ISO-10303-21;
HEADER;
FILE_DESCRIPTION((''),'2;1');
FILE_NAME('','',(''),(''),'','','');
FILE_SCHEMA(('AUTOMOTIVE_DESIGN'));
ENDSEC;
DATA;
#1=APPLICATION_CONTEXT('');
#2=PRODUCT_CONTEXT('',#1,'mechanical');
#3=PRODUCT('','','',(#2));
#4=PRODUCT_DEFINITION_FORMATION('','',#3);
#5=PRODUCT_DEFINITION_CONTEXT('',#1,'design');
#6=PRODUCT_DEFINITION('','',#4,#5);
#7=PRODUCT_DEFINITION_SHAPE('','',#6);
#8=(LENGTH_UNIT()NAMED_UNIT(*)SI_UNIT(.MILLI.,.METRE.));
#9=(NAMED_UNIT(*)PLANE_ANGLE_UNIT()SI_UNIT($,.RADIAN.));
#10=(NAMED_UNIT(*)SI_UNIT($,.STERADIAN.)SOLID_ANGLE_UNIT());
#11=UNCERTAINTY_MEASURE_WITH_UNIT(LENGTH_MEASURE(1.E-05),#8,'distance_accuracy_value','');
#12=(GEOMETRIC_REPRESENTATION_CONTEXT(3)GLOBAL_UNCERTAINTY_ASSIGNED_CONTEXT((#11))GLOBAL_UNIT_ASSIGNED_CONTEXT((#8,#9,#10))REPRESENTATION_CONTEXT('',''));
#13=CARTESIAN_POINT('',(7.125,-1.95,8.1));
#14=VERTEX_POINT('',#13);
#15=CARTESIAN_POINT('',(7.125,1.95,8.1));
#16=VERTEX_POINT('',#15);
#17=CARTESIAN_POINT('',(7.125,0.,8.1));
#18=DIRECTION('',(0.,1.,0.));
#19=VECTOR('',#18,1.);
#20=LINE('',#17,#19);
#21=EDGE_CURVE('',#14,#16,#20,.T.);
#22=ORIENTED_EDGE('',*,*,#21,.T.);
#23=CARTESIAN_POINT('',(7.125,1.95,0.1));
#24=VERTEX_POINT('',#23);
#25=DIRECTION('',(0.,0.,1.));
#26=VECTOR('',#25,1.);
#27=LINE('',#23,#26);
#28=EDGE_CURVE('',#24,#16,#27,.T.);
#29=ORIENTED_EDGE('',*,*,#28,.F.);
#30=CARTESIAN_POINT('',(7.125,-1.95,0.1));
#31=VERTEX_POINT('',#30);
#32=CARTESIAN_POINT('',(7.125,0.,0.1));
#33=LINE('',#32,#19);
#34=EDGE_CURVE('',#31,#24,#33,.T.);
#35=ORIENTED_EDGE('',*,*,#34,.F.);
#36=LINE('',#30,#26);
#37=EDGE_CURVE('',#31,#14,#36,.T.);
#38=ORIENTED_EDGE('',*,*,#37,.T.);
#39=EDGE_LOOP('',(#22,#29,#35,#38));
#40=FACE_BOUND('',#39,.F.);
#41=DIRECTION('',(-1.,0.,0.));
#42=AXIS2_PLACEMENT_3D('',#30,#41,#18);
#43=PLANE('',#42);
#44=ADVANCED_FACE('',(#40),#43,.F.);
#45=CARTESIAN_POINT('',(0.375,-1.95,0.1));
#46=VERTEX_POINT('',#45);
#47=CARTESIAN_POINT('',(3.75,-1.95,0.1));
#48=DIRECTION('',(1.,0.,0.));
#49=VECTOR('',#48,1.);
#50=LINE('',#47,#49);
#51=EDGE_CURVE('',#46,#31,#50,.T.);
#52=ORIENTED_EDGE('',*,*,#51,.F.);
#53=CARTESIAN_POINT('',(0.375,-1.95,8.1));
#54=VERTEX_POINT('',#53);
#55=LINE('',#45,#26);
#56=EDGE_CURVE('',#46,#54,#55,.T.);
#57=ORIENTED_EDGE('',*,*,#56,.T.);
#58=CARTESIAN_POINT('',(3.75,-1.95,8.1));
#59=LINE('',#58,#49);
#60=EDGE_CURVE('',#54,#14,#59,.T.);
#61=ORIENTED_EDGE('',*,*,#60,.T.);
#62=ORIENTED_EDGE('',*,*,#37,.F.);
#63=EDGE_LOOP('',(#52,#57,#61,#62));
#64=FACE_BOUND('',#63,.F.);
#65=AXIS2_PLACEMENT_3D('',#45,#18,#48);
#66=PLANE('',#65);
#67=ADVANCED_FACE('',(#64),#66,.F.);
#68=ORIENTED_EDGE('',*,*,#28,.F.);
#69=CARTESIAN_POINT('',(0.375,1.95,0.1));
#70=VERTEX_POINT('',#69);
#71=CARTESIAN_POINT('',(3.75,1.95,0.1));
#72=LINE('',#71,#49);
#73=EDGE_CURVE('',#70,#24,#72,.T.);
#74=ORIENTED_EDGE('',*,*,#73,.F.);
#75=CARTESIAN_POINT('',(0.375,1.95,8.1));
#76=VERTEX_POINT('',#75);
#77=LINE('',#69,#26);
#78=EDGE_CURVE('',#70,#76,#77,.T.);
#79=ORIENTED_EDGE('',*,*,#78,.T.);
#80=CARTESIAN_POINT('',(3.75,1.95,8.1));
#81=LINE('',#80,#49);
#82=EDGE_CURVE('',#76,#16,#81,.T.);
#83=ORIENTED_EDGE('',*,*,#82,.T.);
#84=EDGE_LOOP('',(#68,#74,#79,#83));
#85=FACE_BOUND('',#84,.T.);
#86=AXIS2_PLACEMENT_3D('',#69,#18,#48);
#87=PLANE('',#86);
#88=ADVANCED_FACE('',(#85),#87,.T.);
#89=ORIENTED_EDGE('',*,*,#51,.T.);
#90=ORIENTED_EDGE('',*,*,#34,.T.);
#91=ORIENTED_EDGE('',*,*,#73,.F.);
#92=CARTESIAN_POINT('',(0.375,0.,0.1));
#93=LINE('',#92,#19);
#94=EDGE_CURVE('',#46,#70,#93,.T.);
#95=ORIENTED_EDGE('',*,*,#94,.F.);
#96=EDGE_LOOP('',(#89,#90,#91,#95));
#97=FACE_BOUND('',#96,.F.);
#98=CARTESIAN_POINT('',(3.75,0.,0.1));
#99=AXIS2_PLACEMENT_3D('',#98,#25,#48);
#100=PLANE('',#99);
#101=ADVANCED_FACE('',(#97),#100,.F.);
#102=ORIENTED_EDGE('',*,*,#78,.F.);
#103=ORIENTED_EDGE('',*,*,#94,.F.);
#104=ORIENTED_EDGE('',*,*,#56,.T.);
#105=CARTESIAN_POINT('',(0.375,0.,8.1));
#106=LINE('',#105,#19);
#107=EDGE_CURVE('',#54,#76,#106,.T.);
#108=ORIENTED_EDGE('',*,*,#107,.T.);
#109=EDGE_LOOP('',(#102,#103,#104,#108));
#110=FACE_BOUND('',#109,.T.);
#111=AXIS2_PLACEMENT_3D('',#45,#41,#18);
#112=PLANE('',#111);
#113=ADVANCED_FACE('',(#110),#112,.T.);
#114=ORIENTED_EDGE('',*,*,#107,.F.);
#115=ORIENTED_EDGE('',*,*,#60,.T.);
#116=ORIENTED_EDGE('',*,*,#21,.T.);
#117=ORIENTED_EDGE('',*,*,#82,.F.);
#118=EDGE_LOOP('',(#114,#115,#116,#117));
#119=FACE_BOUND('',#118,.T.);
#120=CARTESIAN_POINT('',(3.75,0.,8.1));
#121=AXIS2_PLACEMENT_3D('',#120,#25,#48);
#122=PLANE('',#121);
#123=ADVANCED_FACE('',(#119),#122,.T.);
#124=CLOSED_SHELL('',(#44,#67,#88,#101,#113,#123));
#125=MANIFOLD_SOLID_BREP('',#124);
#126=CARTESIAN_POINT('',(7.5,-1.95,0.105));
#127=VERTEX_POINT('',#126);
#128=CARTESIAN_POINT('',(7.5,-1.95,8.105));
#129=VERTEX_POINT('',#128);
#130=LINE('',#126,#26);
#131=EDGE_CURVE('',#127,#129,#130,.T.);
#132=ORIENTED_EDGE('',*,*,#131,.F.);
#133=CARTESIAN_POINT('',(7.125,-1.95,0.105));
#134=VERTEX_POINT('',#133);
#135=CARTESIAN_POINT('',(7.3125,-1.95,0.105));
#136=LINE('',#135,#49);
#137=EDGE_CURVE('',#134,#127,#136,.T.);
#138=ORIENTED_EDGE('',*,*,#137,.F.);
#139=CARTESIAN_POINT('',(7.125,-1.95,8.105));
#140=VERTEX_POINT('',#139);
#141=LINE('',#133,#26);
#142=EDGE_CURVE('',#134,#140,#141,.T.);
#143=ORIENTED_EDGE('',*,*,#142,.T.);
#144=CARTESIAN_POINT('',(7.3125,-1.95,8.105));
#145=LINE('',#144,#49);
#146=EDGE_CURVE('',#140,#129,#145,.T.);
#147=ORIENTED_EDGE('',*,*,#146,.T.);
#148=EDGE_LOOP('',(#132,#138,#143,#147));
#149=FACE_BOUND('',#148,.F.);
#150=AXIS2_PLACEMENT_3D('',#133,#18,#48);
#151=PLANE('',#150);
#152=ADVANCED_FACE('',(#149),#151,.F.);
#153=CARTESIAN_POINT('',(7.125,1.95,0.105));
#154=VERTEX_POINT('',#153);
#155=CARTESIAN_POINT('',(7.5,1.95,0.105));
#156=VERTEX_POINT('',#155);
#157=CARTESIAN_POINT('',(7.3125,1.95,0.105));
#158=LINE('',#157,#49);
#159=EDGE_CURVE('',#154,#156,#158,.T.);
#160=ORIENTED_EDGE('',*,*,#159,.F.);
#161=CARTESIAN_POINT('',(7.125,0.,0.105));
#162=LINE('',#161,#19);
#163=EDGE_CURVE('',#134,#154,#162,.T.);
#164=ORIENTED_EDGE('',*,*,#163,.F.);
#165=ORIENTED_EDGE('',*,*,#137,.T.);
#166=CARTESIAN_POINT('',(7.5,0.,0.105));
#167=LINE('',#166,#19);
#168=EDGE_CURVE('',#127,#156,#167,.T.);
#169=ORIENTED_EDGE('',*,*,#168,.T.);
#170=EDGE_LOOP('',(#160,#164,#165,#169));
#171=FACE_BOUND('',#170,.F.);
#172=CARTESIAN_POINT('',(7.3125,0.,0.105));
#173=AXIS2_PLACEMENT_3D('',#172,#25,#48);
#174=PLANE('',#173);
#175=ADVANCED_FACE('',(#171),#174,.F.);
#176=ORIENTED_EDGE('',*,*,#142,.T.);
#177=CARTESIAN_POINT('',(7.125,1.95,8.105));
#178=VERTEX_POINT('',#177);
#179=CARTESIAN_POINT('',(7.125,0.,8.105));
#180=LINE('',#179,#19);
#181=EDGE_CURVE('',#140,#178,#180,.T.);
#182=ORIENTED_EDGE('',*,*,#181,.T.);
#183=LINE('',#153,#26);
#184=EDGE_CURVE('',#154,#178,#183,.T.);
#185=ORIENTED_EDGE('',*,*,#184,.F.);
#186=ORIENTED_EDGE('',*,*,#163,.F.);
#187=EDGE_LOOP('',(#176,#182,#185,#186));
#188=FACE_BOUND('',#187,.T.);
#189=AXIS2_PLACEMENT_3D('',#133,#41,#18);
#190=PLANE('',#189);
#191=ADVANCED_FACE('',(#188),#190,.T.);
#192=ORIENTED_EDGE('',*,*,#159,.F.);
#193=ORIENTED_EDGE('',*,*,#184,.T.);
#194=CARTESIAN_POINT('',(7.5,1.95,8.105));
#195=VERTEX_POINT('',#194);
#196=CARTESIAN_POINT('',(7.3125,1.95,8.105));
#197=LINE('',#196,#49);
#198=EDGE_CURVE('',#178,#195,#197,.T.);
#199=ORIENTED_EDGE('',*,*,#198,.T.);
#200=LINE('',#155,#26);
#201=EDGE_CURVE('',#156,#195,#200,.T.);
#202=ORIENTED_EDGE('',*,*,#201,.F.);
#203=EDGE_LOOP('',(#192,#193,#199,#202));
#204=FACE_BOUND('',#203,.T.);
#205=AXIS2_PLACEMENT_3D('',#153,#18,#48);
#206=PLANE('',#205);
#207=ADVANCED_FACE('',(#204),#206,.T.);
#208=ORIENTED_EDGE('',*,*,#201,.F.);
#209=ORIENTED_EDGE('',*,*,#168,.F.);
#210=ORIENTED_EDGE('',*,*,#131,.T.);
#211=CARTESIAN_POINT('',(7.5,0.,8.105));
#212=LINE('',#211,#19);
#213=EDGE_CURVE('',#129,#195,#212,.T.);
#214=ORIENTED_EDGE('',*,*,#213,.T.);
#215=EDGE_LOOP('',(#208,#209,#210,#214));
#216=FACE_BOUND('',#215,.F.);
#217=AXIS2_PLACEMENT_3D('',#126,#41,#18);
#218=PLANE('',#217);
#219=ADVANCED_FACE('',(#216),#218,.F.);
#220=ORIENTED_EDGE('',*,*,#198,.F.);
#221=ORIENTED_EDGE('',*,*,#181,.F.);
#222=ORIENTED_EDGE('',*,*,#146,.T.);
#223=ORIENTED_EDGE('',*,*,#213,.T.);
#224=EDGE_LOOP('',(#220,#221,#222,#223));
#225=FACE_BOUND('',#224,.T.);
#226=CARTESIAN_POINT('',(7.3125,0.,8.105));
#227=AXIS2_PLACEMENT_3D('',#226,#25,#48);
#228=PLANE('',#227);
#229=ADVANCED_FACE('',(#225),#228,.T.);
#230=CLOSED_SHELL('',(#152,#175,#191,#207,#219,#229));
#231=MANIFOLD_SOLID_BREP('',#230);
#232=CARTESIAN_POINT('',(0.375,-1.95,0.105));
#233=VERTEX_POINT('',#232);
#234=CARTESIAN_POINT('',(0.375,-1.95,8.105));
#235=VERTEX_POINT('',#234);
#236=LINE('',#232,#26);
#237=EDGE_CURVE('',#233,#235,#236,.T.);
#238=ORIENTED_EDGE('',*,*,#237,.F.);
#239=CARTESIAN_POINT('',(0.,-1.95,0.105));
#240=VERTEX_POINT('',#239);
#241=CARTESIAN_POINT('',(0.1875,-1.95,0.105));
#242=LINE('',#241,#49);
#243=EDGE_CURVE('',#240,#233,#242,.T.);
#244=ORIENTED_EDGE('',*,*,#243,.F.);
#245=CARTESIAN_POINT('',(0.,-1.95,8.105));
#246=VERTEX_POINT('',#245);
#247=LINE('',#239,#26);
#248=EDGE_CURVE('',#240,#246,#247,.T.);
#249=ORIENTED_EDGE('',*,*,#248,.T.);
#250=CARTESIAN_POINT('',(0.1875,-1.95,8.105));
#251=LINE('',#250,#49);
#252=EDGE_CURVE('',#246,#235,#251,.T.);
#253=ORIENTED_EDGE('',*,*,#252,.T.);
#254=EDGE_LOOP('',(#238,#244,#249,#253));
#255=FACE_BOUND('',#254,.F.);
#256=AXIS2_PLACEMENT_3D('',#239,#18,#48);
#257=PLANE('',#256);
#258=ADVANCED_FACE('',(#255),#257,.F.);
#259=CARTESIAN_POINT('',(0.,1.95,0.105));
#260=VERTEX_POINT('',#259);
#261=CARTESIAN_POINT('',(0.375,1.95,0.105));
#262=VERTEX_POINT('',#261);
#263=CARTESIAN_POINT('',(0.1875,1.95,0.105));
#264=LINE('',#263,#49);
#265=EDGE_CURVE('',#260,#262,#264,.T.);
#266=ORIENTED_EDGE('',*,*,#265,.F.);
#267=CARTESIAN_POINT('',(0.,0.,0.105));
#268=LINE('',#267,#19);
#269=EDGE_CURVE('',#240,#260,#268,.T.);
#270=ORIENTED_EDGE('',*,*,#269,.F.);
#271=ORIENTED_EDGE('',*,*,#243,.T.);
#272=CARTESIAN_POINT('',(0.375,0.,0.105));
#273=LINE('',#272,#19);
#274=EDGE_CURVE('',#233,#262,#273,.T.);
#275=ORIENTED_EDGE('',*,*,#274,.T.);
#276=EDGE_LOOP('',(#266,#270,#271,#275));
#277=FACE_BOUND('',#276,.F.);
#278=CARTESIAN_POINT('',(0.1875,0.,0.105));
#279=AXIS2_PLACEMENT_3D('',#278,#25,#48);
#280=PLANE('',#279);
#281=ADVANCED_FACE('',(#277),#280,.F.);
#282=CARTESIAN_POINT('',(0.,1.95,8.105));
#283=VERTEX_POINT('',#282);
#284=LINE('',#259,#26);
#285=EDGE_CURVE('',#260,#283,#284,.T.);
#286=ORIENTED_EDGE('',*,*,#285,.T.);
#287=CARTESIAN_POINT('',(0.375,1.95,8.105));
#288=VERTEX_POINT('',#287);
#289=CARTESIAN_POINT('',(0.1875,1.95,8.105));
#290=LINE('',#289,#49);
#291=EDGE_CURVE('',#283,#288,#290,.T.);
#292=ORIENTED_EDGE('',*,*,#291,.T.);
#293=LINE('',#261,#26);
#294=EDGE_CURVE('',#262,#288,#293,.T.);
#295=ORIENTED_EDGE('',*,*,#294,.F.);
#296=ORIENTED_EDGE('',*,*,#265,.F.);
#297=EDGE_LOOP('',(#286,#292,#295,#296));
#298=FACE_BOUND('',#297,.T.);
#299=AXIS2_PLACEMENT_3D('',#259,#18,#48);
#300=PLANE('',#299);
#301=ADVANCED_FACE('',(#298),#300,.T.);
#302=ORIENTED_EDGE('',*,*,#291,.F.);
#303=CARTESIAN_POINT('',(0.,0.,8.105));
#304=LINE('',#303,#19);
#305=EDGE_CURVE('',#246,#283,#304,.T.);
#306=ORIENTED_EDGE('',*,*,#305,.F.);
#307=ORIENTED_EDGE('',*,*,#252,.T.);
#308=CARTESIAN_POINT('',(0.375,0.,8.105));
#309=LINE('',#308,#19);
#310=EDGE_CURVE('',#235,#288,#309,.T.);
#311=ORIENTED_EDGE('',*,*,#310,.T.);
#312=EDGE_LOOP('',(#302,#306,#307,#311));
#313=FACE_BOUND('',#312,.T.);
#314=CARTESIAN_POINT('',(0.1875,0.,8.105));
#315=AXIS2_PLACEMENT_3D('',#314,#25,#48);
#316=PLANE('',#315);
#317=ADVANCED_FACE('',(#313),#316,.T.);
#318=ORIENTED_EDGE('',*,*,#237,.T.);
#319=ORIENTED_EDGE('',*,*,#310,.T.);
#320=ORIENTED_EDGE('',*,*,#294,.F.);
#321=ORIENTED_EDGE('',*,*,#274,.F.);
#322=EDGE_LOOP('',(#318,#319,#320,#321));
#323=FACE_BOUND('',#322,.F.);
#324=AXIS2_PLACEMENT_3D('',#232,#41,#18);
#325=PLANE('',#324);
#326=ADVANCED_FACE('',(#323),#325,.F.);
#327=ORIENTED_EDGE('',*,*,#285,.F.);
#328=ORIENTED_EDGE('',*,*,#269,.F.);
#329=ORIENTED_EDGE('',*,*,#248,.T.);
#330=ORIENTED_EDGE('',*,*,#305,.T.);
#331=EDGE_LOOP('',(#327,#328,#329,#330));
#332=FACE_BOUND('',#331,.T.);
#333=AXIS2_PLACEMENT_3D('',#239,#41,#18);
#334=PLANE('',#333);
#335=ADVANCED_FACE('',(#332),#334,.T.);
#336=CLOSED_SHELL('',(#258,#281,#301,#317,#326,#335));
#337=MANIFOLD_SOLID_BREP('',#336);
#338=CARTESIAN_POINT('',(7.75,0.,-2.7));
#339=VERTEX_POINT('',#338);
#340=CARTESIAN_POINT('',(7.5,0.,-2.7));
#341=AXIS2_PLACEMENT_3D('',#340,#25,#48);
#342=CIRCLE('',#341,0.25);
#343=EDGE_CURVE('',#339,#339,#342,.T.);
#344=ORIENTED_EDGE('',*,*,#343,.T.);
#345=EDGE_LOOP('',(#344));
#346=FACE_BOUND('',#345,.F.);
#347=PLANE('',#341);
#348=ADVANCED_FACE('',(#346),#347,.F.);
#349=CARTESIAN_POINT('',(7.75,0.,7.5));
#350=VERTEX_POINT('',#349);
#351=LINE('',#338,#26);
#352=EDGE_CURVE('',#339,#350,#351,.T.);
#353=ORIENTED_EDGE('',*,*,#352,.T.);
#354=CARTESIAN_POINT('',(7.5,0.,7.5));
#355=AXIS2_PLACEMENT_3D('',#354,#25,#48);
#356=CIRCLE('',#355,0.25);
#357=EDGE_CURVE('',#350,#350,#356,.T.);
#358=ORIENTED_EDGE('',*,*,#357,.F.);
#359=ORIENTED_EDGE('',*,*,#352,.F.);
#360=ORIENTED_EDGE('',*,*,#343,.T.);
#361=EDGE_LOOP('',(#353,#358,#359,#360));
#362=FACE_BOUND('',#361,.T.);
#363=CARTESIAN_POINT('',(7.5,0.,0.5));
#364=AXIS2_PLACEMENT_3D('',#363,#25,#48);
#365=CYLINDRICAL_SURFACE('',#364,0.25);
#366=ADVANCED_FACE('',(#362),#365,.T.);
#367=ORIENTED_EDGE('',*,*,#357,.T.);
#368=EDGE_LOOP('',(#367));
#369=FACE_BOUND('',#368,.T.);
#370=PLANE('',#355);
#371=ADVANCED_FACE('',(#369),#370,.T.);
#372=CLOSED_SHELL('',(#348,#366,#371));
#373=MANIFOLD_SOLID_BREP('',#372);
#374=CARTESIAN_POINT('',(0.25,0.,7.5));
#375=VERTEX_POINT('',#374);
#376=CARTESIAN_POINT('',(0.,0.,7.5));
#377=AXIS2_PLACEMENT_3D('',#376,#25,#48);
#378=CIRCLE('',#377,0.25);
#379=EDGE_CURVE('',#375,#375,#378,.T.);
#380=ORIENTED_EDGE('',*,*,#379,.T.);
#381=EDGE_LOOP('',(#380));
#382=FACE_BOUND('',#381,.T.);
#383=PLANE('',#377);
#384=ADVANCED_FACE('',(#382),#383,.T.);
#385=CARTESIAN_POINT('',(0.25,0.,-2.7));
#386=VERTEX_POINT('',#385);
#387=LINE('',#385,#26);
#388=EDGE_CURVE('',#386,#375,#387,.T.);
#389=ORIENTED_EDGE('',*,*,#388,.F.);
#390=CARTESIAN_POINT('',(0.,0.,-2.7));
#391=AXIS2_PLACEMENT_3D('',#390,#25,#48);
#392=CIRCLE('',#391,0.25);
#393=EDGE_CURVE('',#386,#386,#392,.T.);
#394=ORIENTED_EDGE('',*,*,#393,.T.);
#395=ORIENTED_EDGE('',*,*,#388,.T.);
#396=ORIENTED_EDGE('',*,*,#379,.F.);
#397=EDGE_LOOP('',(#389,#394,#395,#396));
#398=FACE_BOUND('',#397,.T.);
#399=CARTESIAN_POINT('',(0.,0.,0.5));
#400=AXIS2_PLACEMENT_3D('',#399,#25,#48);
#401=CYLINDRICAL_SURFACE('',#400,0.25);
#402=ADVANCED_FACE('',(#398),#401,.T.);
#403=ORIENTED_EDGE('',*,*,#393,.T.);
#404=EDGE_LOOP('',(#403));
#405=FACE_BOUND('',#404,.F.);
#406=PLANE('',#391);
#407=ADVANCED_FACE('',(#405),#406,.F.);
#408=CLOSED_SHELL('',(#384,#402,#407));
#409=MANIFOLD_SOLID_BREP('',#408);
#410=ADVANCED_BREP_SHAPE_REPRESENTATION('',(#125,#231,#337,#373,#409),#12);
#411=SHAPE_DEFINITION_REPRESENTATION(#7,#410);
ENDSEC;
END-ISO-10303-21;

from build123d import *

# Parameters (mm, degrees)
SKETCH_W          = 6.75
SKETCH_H          = 3.9
PAD_DEPTH         = 8
SKETCH001_R       = 0.25
PAD001_DEPTH      = 7
PAD001_DEPTH_BACK = 3.2
SKETCH002_W       = 0.375
SKETCH002_H       = 3.9
PAD002_DEPTH      = 8


with BuildPart() as pad:
    # Sketch → Pad (new body)
    with BuildSketch(Plane.XY.offset(0.1)):
        with Locations((3.75, 0)):
            Rectangle(SKETCH_W, SKETCH_H)
    extrude(amount=PAD_DEPTH)


with BuildPart() as pad001:
    # Sketch001 → Pad001 (new body, two sides)
    with BuildSketch(Plane.XY.offset(0.5)) as pad001_sk:
        Circle(SKETCH001_R)
        with Locations((7.5, 0)):
            Circle(SKETCH001_R)
    extrude(amount=PAD001_DEPTH)
    extrude(pad001_sk.sketch, amount=-PAD001_DEPTH_BACK)


with BuildPart() as pad002:
    # Sketch002 → Pad002 (new body)
    with BuildSketch(Plane.XY.offset(0.105)):
        with Locations((0.1875, 0)):
            Rectangle(SKETCH002_W, SKETCH002_H)
        with Locations((7.3125, 0)):
            Rectangle(SKETCH002_W, SKETCH002_H)
    extrude(amount=PAD002_DEPTH)


solid = Compound([pad.part, pad001.part, pad002.part])
